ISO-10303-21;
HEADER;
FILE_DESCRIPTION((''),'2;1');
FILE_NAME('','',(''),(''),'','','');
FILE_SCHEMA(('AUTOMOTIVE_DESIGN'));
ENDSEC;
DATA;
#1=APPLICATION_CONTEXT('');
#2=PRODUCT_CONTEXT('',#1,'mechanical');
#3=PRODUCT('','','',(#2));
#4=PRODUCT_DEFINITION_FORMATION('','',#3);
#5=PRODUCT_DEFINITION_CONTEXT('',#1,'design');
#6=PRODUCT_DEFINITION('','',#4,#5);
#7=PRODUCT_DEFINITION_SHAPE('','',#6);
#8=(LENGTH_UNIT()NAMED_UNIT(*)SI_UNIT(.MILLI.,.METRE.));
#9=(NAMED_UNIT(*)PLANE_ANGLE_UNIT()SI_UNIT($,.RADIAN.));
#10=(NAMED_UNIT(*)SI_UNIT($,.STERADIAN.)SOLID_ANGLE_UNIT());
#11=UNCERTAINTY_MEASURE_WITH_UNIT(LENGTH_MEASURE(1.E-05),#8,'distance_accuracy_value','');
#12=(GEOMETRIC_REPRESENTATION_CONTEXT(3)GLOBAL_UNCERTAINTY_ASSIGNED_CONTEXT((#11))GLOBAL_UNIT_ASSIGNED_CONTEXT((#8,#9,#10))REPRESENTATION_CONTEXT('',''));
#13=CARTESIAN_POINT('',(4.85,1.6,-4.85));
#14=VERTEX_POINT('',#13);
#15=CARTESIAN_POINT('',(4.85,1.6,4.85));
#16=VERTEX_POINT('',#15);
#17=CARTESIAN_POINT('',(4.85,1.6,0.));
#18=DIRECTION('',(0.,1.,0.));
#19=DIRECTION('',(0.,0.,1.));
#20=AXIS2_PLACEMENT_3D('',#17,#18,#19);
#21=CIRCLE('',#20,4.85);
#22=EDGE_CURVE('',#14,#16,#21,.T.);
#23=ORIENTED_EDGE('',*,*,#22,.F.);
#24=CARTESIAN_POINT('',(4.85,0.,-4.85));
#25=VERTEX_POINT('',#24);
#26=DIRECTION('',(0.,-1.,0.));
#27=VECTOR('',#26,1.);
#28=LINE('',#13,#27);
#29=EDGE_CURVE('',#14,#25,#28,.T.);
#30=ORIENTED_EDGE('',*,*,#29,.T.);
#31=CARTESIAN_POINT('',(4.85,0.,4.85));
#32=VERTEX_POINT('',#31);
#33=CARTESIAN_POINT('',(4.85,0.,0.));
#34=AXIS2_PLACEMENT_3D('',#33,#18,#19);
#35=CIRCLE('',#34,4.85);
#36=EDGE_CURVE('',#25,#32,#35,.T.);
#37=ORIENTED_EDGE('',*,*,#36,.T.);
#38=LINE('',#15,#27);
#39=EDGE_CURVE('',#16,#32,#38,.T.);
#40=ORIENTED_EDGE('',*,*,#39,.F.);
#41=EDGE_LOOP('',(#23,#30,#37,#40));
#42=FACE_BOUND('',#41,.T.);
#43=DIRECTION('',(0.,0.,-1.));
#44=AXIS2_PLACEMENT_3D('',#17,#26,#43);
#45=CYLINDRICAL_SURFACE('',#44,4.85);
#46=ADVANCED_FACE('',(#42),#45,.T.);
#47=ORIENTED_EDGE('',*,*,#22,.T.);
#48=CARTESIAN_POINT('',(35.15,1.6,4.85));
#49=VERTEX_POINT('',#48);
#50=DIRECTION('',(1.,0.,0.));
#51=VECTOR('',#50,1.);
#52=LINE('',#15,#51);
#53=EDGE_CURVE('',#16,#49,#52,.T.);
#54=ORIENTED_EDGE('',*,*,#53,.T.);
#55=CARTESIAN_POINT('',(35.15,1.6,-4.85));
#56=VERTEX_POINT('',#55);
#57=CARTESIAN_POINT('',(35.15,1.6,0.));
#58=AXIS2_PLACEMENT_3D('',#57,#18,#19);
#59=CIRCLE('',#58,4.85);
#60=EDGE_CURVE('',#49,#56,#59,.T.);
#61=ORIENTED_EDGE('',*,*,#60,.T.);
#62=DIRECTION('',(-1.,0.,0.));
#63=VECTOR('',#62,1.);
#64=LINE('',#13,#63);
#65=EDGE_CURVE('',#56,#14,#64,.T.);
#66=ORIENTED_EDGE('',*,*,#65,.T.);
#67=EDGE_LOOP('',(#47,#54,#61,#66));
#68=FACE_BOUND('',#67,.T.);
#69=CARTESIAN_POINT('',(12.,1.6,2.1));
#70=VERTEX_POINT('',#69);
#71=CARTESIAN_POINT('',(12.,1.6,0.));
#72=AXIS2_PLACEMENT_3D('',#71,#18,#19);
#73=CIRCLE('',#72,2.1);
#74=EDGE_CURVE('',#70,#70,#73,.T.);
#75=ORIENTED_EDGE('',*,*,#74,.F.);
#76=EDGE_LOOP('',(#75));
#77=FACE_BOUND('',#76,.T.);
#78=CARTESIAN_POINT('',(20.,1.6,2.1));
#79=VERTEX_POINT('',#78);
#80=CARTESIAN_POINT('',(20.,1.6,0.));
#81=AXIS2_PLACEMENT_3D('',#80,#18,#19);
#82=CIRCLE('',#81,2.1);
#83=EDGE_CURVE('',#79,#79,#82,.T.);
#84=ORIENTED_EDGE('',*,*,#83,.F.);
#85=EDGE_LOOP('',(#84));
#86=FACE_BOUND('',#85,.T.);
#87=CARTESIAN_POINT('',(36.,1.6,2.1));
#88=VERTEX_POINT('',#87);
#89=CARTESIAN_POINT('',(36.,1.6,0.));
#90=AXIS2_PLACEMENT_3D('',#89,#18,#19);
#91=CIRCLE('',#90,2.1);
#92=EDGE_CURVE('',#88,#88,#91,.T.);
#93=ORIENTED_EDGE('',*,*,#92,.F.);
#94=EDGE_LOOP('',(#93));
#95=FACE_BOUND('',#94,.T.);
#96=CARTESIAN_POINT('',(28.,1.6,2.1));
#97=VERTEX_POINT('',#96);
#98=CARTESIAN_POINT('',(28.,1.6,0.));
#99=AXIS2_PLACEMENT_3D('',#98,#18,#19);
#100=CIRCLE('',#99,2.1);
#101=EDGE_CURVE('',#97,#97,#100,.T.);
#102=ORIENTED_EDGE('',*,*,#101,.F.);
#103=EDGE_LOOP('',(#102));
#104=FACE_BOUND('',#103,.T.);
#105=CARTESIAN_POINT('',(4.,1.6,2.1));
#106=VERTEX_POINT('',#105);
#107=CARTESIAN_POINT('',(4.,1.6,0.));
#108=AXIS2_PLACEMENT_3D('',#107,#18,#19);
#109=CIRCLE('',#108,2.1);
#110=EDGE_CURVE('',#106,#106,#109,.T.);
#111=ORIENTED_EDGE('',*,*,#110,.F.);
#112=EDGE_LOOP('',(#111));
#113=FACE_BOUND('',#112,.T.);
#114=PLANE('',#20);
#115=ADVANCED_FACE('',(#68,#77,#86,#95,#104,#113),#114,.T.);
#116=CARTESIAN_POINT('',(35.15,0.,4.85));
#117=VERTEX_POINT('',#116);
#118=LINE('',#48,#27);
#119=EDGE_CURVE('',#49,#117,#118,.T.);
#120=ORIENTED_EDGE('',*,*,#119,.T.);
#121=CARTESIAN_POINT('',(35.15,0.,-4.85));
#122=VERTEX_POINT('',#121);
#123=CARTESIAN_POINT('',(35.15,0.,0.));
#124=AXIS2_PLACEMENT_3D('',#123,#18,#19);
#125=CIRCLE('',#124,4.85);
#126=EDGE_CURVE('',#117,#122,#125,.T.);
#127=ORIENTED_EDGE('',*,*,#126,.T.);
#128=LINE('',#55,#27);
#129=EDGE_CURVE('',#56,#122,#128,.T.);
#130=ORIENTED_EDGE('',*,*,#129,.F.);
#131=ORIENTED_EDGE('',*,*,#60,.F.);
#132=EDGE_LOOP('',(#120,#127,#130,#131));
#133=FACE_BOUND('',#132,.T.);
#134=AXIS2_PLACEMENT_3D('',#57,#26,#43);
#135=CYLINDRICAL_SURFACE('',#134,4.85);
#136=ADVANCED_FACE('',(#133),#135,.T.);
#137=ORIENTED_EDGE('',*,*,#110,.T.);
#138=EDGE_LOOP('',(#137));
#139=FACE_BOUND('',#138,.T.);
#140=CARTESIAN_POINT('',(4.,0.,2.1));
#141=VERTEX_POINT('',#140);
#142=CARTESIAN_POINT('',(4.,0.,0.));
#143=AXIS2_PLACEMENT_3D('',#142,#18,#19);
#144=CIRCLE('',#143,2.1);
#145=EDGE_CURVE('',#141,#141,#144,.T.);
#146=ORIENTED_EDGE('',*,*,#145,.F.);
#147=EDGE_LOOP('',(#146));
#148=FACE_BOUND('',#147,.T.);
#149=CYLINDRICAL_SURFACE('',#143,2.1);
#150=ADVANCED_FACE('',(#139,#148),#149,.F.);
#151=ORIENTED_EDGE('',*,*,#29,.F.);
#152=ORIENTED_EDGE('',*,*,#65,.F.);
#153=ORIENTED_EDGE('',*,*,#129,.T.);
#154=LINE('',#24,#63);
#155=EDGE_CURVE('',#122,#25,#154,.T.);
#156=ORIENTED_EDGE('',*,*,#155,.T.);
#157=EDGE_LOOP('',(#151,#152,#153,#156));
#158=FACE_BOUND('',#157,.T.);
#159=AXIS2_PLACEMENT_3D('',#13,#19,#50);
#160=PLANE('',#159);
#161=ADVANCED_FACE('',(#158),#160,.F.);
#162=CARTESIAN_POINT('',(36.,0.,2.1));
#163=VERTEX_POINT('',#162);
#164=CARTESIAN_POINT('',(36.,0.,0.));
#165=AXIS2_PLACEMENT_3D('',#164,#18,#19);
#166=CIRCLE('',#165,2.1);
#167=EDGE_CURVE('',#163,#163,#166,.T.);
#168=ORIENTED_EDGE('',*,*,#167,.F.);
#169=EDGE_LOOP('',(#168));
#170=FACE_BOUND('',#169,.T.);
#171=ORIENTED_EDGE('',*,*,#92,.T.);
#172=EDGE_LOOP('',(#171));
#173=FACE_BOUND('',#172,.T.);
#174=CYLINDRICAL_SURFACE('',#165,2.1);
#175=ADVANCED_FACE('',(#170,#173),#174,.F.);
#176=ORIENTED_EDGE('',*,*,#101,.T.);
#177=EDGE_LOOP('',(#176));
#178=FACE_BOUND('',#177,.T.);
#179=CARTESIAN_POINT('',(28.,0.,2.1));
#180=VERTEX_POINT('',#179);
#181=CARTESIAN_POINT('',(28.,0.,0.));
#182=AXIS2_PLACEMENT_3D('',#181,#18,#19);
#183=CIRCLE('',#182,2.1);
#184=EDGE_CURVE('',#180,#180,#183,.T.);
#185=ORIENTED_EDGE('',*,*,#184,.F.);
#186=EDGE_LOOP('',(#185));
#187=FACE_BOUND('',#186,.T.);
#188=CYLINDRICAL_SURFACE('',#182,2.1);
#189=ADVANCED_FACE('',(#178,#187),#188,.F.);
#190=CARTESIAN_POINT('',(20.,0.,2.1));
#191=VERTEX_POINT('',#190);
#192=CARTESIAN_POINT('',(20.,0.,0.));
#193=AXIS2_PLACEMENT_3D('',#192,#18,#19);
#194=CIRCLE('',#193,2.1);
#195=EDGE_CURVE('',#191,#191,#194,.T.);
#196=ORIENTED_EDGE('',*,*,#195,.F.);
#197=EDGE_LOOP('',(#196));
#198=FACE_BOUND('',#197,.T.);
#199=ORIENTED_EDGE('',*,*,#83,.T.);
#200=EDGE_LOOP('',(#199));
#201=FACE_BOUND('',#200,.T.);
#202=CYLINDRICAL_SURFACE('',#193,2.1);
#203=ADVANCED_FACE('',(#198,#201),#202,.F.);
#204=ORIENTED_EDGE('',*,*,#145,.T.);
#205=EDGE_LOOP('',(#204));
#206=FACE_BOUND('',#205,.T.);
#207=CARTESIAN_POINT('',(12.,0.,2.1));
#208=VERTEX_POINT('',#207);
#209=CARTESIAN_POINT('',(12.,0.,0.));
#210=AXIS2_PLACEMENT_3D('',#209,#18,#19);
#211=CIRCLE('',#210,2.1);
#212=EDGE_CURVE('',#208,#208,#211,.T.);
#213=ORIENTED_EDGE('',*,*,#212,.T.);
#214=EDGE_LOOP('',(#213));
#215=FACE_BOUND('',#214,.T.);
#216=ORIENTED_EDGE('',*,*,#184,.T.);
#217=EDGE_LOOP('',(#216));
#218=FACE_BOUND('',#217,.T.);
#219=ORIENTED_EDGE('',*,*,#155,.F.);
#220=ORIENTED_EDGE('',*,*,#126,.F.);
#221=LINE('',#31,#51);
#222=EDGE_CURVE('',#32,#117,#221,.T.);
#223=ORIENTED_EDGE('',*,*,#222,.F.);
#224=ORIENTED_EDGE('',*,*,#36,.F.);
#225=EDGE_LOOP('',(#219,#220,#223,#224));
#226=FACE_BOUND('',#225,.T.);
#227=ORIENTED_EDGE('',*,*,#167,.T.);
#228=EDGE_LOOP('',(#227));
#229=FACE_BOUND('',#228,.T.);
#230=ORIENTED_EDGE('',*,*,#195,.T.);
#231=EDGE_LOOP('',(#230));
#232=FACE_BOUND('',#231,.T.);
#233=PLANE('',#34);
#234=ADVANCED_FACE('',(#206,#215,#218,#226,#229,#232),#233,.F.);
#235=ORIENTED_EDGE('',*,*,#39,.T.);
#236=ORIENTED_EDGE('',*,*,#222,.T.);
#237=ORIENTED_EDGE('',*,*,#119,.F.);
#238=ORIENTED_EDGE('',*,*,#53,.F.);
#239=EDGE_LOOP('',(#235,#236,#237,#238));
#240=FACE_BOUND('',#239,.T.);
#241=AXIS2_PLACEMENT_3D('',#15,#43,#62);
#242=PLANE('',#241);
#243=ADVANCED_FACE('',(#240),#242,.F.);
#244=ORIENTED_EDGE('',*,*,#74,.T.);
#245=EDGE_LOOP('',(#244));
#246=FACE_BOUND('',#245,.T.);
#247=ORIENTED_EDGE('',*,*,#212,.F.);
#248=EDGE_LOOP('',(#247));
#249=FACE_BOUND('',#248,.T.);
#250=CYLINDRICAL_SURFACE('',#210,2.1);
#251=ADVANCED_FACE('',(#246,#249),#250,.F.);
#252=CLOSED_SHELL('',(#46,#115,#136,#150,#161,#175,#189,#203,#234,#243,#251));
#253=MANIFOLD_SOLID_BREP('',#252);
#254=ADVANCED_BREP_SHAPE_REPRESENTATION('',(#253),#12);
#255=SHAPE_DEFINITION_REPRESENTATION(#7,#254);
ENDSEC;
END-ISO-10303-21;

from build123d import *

# Parameters (mm, degrees)
BOSS_EXTRUDE1_DEPTH = 1.6
SKETCH2_R           = 2.1
CUT_EXTRUDE1_DEPTH  = 2.6
LPATTERN1_COUNT     = 5
LPATTERN1_PITCH     = 8


with BuildPart() as part:
    # Sketch1 → Boss-Extrude1 (new body)
    with BuildSketch(Plane(origin=(0, 0, 0), x_dir=(1, 0, 0), z_dir=(0, 1, 0))):
        with BuildLine():
            Line((4.85, 4.85), (35.15, 4.85))
            ThreePointArc((35.15, 4.85), (40, 0), (35.15, -4.85))
            Line((35.15, -4.85), (4.85, -4.85))
            ThreePointArc((4.85, -4.85), (0, 0), (4.85, 4.85))
        make_face()
    extrude(amount=BOSS_EXTRUDE1_DEPTH)

    # Sketch2 → Cut-Extrude1 (cut, through all)
    with BuildSketch(Plane(origin=(0, 1.6, 0), x_dir=(1, 0, 0), z_dir=(0, 1, 0))):
        with Locations((4, 0)):
            Circle(SKETCH2_R)
    cut_extrude1 = extrude(amount=-CUT_EXTRUDE1_DEPTH, mode=Mode.SUBTRACT)

    # LPattern1: Cut-Extrude1 ×5
    with Locations(*[(i * LPATTERN1_PITCH, 0, 0) for i in range(1, LPATTERN1_COUNT)]):
        add(cut_extrude1, mode=Mode.SUBTRACT)


solid = part.part
